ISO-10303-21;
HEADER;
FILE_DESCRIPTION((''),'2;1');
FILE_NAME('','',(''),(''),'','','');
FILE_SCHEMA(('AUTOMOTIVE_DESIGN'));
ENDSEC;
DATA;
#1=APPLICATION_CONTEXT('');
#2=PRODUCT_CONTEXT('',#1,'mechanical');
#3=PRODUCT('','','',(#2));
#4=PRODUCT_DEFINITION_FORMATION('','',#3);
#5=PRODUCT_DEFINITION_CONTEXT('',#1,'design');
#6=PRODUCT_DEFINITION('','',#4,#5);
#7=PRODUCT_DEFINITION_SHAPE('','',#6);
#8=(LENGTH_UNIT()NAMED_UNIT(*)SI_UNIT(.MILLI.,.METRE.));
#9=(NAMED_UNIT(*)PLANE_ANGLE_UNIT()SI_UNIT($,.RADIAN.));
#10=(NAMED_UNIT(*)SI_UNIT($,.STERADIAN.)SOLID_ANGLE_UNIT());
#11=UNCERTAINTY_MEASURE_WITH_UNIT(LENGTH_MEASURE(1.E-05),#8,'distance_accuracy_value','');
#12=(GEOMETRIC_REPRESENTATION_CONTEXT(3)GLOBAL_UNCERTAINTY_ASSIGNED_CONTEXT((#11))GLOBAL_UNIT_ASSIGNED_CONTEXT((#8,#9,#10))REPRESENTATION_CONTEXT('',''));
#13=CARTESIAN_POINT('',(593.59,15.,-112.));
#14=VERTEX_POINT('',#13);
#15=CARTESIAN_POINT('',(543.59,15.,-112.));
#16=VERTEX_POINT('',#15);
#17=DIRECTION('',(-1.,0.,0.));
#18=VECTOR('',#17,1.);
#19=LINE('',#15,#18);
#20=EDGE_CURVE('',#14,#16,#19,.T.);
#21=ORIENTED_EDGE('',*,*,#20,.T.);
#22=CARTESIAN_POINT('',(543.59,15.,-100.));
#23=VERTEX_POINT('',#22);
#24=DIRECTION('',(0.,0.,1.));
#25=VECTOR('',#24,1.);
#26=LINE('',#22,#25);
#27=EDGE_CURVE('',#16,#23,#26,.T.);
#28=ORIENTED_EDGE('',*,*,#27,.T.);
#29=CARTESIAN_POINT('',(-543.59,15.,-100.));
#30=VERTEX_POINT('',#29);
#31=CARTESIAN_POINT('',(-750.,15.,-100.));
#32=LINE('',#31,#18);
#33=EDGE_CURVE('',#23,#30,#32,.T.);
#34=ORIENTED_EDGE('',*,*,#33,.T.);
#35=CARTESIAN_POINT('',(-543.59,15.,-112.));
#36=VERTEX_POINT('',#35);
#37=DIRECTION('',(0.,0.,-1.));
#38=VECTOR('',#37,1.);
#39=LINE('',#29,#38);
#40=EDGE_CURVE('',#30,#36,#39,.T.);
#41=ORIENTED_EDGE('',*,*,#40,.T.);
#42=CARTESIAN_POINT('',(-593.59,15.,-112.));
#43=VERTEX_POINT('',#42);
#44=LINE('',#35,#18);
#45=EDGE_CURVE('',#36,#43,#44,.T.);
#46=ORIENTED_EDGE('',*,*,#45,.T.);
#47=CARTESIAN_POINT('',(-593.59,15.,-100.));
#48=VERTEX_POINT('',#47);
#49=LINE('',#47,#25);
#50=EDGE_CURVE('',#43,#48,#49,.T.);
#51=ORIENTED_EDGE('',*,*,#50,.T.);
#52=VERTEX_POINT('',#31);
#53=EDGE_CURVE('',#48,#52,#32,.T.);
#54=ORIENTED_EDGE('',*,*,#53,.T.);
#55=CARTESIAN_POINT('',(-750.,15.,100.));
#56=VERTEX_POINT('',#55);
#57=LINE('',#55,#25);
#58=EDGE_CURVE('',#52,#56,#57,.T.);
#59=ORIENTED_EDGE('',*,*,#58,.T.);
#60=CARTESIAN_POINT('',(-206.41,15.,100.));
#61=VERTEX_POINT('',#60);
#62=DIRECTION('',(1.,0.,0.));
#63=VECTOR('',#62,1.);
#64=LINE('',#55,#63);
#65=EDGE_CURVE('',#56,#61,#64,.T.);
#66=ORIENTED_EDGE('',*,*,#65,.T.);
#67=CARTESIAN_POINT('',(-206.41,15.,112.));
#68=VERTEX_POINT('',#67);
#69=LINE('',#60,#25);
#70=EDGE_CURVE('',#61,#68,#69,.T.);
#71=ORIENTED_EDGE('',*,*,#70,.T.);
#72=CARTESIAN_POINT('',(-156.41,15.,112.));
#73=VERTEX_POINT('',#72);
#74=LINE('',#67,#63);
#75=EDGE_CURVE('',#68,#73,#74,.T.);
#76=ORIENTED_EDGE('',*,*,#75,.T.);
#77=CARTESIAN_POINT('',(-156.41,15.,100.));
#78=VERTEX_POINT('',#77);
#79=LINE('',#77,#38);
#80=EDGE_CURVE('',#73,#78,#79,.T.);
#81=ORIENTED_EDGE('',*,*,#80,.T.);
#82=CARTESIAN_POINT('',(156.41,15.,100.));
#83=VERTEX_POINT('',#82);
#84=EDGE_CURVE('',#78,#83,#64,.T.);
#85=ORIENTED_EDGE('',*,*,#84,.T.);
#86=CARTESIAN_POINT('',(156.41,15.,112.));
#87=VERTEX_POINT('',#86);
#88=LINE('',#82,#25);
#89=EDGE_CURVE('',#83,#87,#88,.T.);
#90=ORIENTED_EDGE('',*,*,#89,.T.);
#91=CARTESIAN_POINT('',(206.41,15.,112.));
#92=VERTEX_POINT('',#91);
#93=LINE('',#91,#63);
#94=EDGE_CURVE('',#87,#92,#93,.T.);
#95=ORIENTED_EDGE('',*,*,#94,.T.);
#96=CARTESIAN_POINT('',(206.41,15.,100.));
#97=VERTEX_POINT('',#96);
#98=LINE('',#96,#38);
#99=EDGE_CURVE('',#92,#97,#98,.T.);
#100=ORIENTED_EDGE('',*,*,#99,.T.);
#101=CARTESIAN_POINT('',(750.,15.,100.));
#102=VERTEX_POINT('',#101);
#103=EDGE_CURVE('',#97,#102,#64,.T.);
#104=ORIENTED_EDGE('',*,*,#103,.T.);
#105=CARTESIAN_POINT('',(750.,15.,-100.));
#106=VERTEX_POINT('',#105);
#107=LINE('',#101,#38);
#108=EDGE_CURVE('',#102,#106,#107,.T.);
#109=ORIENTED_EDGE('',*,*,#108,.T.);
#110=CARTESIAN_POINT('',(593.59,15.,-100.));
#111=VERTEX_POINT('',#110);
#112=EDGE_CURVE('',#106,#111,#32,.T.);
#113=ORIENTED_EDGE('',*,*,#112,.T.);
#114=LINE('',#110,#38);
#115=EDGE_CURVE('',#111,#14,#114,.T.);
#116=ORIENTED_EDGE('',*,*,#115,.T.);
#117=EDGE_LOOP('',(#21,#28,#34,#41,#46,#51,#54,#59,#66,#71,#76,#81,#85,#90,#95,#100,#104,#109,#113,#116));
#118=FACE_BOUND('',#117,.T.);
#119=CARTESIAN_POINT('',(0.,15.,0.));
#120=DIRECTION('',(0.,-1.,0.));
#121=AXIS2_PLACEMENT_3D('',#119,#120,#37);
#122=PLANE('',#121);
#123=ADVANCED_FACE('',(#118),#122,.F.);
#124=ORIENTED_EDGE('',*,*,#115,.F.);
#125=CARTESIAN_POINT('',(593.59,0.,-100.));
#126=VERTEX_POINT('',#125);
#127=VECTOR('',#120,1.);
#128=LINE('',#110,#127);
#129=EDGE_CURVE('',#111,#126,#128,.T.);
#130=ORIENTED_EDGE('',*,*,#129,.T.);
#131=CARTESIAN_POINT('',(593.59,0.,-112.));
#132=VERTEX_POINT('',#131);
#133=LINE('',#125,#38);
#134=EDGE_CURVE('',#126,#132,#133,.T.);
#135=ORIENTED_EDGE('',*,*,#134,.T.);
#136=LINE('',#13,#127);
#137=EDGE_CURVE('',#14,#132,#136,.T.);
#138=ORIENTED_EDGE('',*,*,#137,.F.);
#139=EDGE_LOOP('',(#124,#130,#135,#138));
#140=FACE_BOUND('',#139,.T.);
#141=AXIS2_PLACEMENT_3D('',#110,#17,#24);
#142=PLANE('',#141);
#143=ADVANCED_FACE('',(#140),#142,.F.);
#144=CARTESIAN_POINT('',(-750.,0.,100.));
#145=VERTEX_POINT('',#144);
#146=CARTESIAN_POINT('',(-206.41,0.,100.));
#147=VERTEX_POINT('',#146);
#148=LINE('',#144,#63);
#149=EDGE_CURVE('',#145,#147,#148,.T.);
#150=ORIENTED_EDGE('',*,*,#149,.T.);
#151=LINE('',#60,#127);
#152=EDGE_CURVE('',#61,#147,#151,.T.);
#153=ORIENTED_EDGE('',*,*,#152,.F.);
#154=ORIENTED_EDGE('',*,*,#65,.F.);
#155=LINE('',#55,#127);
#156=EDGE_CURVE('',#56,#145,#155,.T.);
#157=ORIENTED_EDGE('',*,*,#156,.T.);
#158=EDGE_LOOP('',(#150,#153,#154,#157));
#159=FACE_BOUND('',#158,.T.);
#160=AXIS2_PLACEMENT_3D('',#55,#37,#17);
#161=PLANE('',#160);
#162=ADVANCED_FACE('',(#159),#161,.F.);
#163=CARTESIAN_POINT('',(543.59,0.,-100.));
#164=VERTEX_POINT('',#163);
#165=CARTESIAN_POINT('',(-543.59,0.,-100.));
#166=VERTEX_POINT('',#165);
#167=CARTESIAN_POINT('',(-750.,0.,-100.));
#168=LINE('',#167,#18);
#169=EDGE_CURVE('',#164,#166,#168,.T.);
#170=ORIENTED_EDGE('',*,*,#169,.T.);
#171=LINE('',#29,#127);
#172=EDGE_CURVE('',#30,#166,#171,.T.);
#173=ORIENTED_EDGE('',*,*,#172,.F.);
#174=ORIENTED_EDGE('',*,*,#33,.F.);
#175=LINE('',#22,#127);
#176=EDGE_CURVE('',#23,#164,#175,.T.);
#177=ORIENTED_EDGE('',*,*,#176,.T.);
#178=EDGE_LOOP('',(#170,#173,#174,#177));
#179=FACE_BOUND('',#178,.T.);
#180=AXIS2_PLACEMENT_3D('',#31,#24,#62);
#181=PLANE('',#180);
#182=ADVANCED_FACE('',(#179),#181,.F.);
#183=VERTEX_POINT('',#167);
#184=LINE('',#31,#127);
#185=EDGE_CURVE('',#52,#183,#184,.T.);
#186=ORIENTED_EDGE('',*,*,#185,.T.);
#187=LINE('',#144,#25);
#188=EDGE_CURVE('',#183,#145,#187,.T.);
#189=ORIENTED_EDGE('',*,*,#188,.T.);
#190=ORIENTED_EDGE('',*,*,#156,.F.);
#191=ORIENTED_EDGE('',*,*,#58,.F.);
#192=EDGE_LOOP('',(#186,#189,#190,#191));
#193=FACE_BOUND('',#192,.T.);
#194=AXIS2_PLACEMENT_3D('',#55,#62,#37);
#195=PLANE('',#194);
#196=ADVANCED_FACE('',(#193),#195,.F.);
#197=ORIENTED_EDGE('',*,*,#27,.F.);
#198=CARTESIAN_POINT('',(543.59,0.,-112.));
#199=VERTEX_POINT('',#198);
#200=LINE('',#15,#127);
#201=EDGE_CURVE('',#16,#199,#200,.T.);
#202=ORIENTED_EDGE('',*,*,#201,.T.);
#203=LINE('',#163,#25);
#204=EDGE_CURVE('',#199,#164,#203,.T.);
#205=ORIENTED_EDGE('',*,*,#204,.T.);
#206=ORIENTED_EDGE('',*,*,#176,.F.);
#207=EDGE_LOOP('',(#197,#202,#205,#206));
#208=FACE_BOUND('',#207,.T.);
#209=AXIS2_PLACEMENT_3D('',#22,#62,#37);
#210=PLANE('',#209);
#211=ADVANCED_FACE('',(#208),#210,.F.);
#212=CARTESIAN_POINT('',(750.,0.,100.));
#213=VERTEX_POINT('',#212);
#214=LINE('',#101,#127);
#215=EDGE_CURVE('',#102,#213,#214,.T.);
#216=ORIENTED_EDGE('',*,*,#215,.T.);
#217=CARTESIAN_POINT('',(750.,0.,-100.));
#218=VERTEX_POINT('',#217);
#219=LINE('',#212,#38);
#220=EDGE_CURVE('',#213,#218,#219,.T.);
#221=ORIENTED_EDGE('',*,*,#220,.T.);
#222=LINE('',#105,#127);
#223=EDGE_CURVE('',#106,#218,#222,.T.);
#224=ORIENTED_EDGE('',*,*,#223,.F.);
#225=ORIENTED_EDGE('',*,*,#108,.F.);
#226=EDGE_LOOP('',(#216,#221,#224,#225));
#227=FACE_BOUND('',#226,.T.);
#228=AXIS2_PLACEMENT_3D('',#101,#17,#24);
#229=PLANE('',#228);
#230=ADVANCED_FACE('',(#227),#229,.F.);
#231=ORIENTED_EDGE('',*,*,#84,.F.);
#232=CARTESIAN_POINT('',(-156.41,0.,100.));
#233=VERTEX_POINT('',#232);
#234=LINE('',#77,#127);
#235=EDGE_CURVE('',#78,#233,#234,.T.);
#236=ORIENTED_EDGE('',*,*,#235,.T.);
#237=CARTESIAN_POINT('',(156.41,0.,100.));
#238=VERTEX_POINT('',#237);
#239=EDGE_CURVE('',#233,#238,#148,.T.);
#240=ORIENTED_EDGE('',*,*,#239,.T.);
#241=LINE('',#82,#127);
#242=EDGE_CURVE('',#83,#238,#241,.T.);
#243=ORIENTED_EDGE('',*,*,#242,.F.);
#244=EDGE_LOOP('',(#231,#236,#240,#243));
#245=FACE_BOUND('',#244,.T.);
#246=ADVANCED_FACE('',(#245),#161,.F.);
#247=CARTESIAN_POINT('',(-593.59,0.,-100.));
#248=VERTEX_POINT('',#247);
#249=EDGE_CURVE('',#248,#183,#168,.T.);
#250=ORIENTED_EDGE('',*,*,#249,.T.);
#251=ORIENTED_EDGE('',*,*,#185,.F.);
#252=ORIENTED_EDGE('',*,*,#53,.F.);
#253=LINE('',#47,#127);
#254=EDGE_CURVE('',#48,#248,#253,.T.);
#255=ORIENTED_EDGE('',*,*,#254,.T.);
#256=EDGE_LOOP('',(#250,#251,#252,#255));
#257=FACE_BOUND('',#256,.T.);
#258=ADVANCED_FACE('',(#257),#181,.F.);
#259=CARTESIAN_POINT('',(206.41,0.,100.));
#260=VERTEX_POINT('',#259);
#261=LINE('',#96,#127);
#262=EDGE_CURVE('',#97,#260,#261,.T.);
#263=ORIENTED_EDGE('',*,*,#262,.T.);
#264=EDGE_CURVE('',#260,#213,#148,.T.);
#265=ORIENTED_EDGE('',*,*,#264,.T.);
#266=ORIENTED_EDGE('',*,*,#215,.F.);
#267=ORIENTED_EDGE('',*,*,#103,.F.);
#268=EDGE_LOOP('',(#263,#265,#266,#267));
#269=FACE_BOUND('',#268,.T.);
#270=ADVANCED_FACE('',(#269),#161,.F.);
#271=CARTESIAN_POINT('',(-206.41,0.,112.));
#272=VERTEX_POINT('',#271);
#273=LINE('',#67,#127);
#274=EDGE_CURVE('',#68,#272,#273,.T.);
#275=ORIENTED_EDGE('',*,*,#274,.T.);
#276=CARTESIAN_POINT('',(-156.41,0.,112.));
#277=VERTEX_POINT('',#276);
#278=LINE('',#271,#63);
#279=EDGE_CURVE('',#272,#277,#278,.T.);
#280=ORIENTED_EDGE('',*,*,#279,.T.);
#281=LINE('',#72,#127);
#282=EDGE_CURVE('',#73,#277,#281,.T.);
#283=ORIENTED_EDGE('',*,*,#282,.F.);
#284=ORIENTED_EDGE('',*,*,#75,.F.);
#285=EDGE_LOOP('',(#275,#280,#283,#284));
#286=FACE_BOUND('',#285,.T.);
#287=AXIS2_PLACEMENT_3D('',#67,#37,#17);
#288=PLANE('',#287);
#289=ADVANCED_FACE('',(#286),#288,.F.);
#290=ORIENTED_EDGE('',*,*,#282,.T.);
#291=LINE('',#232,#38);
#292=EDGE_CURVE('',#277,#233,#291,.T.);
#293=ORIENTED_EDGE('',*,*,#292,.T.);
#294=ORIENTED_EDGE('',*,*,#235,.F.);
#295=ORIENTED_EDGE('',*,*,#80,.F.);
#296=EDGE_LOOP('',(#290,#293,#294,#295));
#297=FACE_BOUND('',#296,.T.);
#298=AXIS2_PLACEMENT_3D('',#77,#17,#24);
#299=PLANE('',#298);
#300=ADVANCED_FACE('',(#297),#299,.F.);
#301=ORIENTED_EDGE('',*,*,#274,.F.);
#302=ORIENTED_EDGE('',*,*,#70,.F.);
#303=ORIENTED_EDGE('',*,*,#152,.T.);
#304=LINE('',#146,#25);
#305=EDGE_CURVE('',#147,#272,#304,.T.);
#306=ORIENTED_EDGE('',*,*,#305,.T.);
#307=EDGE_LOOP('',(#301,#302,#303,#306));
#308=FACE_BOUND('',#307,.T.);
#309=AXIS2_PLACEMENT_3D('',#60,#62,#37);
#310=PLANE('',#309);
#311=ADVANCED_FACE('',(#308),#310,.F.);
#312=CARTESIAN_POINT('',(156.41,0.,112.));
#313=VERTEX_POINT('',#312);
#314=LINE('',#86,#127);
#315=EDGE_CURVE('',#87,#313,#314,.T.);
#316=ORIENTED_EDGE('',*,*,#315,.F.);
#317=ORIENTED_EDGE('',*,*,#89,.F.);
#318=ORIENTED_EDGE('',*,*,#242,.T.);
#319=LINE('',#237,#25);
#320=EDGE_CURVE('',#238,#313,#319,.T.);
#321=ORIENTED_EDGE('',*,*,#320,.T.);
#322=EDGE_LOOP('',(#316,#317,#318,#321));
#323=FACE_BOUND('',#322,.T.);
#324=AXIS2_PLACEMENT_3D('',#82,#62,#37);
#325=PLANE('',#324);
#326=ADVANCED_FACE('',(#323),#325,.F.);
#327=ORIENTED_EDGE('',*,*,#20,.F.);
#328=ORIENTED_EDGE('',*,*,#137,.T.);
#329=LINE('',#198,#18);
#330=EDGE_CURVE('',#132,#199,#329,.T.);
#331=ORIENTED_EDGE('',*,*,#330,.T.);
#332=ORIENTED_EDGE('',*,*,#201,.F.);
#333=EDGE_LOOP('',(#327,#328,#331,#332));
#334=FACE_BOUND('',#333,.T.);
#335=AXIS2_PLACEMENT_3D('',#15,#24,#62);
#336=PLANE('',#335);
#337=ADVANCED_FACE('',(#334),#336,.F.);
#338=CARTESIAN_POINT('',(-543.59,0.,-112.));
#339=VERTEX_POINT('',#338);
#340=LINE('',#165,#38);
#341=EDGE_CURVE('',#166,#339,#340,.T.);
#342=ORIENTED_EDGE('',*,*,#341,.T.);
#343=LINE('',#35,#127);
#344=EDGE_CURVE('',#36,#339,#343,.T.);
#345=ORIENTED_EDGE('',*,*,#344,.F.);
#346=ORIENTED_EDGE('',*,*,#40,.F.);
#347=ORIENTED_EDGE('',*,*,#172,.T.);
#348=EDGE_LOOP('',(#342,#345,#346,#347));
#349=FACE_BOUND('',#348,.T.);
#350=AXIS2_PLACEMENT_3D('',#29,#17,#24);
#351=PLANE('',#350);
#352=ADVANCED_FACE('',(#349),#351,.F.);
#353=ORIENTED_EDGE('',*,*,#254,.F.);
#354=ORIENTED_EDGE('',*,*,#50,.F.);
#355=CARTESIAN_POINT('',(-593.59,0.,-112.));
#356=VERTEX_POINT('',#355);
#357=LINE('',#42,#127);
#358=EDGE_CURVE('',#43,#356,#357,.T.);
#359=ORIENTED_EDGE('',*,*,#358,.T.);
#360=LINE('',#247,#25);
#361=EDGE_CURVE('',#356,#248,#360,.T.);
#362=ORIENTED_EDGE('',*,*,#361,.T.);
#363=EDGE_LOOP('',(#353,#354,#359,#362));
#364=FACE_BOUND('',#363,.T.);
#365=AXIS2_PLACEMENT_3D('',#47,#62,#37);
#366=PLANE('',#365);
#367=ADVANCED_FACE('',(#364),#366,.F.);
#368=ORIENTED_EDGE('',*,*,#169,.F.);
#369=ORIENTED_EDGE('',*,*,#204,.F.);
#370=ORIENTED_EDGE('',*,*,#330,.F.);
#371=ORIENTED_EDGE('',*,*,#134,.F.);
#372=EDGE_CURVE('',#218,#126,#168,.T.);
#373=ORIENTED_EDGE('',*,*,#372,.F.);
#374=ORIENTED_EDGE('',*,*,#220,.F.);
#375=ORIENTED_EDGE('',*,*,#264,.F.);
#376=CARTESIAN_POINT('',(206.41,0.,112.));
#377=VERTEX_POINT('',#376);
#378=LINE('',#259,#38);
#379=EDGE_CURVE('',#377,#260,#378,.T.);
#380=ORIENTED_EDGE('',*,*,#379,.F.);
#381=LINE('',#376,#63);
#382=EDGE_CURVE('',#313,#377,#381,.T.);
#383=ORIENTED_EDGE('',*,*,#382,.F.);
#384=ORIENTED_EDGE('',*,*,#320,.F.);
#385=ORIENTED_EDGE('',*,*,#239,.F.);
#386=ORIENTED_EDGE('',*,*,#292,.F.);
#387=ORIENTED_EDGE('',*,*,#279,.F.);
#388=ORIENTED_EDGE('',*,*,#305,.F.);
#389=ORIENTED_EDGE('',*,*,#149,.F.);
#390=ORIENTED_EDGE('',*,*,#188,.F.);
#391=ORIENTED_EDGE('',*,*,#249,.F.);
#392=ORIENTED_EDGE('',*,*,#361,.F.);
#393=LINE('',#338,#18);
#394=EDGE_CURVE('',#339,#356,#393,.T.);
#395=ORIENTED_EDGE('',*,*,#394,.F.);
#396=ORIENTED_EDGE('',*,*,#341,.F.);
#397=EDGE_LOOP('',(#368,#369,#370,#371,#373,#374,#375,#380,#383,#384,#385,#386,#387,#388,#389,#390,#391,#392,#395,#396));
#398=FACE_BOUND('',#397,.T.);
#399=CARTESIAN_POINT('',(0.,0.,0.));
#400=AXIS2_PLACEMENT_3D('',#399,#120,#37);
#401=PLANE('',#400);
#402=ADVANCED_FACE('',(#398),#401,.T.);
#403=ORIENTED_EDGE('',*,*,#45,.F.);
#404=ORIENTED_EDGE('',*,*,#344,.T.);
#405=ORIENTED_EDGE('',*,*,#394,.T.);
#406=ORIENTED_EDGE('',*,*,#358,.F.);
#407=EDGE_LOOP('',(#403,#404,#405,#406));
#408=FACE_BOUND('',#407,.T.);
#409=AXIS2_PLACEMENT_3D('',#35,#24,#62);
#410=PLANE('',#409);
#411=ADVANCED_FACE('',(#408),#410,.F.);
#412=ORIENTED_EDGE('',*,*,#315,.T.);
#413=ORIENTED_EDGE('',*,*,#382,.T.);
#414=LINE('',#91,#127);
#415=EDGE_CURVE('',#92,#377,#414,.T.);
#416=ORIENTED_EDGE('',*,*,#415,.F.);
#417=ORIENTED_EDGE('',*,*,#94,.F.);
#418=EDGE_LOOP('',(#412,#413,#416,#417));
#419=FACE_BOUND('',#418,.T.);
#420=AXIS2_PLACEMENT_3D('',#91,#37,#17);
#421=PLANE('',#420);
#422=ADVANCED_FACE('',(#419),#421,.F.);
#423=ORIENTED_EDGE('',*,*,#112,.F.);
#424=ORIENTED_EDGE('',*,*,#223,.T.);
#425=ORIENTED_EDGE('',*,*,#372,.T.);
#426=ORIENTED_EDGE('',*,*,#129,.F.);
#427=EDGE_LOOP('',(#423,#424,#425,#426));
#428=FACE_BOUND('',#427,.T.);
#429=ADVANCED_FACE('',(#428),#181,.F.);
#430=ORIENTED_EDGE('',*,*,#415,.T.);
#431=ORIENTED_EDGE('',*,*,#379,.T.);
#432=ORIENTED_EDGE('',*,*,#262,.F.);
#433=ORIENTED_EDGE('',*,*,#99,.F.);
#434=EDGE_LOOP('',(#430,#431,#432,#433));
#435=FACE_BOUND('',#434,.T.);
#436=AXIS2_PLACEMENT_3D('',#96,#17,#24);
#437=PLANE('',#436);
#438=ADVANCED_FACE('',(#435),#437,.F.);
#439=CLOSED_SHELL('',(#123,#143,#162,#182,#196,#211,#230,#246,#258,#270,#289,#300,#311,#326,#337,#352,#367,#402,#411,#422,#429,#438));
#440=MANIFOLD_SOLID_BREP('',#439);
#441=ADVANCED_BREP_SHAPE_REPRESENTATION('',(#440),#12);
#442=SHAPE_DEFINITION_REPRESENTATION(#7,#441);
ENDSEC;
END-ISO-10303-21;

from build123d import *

# Parameters (mm, degrees)
CROQUIS1_W              = 1500
CROQUIS1_H              = 200
SALIENTE_EXTRUIR1_DEPTH = 15
CROQUIS3_W              = 50
CROQUIS3_H              = 12
SALIENTE_EXTRUIR2_DEPTH = 15


with BuildPart() as part:
    # Croquis1 → Saliente-Extruir1 (new body)
    with BuildSketch(Plane(origin=(0, 0, 0), x_dir=(1, 0, 0), z_dir=(0, 1, 0))):
        Rectangle(CROQUIS1_W, CROQUIS1_H)
    extrude(amount=SALIENTE_EXTRUIR1_DEPTH)

    # Croquis3 → Saliente-Extruir2 (add)
    with BuildSketch(Plane(origin=(0, 0, 0), x_dir=(1, 0, 0), z_dir=(0, 1, 0))):
        with Locations((568.59, 106)):
            Rectangle(CROQUIS3_W, CROQUIS3_H)
        with Locations((-568.59, 106)):
            Rectangle(CROQUIS3_W, CROQUIS3_H)
        with Locations((-181.41, -106)):
            Rectangle(CROQUIS3_W, CROQUIS3_H)
        with Locations((181.41, -106)):
            Rectangle(CROQUIS3_W, CROQUIS3_H)
    extrude(amount=SALIENTE_EXTRUIR2_DEPTH)


solid = part.part
